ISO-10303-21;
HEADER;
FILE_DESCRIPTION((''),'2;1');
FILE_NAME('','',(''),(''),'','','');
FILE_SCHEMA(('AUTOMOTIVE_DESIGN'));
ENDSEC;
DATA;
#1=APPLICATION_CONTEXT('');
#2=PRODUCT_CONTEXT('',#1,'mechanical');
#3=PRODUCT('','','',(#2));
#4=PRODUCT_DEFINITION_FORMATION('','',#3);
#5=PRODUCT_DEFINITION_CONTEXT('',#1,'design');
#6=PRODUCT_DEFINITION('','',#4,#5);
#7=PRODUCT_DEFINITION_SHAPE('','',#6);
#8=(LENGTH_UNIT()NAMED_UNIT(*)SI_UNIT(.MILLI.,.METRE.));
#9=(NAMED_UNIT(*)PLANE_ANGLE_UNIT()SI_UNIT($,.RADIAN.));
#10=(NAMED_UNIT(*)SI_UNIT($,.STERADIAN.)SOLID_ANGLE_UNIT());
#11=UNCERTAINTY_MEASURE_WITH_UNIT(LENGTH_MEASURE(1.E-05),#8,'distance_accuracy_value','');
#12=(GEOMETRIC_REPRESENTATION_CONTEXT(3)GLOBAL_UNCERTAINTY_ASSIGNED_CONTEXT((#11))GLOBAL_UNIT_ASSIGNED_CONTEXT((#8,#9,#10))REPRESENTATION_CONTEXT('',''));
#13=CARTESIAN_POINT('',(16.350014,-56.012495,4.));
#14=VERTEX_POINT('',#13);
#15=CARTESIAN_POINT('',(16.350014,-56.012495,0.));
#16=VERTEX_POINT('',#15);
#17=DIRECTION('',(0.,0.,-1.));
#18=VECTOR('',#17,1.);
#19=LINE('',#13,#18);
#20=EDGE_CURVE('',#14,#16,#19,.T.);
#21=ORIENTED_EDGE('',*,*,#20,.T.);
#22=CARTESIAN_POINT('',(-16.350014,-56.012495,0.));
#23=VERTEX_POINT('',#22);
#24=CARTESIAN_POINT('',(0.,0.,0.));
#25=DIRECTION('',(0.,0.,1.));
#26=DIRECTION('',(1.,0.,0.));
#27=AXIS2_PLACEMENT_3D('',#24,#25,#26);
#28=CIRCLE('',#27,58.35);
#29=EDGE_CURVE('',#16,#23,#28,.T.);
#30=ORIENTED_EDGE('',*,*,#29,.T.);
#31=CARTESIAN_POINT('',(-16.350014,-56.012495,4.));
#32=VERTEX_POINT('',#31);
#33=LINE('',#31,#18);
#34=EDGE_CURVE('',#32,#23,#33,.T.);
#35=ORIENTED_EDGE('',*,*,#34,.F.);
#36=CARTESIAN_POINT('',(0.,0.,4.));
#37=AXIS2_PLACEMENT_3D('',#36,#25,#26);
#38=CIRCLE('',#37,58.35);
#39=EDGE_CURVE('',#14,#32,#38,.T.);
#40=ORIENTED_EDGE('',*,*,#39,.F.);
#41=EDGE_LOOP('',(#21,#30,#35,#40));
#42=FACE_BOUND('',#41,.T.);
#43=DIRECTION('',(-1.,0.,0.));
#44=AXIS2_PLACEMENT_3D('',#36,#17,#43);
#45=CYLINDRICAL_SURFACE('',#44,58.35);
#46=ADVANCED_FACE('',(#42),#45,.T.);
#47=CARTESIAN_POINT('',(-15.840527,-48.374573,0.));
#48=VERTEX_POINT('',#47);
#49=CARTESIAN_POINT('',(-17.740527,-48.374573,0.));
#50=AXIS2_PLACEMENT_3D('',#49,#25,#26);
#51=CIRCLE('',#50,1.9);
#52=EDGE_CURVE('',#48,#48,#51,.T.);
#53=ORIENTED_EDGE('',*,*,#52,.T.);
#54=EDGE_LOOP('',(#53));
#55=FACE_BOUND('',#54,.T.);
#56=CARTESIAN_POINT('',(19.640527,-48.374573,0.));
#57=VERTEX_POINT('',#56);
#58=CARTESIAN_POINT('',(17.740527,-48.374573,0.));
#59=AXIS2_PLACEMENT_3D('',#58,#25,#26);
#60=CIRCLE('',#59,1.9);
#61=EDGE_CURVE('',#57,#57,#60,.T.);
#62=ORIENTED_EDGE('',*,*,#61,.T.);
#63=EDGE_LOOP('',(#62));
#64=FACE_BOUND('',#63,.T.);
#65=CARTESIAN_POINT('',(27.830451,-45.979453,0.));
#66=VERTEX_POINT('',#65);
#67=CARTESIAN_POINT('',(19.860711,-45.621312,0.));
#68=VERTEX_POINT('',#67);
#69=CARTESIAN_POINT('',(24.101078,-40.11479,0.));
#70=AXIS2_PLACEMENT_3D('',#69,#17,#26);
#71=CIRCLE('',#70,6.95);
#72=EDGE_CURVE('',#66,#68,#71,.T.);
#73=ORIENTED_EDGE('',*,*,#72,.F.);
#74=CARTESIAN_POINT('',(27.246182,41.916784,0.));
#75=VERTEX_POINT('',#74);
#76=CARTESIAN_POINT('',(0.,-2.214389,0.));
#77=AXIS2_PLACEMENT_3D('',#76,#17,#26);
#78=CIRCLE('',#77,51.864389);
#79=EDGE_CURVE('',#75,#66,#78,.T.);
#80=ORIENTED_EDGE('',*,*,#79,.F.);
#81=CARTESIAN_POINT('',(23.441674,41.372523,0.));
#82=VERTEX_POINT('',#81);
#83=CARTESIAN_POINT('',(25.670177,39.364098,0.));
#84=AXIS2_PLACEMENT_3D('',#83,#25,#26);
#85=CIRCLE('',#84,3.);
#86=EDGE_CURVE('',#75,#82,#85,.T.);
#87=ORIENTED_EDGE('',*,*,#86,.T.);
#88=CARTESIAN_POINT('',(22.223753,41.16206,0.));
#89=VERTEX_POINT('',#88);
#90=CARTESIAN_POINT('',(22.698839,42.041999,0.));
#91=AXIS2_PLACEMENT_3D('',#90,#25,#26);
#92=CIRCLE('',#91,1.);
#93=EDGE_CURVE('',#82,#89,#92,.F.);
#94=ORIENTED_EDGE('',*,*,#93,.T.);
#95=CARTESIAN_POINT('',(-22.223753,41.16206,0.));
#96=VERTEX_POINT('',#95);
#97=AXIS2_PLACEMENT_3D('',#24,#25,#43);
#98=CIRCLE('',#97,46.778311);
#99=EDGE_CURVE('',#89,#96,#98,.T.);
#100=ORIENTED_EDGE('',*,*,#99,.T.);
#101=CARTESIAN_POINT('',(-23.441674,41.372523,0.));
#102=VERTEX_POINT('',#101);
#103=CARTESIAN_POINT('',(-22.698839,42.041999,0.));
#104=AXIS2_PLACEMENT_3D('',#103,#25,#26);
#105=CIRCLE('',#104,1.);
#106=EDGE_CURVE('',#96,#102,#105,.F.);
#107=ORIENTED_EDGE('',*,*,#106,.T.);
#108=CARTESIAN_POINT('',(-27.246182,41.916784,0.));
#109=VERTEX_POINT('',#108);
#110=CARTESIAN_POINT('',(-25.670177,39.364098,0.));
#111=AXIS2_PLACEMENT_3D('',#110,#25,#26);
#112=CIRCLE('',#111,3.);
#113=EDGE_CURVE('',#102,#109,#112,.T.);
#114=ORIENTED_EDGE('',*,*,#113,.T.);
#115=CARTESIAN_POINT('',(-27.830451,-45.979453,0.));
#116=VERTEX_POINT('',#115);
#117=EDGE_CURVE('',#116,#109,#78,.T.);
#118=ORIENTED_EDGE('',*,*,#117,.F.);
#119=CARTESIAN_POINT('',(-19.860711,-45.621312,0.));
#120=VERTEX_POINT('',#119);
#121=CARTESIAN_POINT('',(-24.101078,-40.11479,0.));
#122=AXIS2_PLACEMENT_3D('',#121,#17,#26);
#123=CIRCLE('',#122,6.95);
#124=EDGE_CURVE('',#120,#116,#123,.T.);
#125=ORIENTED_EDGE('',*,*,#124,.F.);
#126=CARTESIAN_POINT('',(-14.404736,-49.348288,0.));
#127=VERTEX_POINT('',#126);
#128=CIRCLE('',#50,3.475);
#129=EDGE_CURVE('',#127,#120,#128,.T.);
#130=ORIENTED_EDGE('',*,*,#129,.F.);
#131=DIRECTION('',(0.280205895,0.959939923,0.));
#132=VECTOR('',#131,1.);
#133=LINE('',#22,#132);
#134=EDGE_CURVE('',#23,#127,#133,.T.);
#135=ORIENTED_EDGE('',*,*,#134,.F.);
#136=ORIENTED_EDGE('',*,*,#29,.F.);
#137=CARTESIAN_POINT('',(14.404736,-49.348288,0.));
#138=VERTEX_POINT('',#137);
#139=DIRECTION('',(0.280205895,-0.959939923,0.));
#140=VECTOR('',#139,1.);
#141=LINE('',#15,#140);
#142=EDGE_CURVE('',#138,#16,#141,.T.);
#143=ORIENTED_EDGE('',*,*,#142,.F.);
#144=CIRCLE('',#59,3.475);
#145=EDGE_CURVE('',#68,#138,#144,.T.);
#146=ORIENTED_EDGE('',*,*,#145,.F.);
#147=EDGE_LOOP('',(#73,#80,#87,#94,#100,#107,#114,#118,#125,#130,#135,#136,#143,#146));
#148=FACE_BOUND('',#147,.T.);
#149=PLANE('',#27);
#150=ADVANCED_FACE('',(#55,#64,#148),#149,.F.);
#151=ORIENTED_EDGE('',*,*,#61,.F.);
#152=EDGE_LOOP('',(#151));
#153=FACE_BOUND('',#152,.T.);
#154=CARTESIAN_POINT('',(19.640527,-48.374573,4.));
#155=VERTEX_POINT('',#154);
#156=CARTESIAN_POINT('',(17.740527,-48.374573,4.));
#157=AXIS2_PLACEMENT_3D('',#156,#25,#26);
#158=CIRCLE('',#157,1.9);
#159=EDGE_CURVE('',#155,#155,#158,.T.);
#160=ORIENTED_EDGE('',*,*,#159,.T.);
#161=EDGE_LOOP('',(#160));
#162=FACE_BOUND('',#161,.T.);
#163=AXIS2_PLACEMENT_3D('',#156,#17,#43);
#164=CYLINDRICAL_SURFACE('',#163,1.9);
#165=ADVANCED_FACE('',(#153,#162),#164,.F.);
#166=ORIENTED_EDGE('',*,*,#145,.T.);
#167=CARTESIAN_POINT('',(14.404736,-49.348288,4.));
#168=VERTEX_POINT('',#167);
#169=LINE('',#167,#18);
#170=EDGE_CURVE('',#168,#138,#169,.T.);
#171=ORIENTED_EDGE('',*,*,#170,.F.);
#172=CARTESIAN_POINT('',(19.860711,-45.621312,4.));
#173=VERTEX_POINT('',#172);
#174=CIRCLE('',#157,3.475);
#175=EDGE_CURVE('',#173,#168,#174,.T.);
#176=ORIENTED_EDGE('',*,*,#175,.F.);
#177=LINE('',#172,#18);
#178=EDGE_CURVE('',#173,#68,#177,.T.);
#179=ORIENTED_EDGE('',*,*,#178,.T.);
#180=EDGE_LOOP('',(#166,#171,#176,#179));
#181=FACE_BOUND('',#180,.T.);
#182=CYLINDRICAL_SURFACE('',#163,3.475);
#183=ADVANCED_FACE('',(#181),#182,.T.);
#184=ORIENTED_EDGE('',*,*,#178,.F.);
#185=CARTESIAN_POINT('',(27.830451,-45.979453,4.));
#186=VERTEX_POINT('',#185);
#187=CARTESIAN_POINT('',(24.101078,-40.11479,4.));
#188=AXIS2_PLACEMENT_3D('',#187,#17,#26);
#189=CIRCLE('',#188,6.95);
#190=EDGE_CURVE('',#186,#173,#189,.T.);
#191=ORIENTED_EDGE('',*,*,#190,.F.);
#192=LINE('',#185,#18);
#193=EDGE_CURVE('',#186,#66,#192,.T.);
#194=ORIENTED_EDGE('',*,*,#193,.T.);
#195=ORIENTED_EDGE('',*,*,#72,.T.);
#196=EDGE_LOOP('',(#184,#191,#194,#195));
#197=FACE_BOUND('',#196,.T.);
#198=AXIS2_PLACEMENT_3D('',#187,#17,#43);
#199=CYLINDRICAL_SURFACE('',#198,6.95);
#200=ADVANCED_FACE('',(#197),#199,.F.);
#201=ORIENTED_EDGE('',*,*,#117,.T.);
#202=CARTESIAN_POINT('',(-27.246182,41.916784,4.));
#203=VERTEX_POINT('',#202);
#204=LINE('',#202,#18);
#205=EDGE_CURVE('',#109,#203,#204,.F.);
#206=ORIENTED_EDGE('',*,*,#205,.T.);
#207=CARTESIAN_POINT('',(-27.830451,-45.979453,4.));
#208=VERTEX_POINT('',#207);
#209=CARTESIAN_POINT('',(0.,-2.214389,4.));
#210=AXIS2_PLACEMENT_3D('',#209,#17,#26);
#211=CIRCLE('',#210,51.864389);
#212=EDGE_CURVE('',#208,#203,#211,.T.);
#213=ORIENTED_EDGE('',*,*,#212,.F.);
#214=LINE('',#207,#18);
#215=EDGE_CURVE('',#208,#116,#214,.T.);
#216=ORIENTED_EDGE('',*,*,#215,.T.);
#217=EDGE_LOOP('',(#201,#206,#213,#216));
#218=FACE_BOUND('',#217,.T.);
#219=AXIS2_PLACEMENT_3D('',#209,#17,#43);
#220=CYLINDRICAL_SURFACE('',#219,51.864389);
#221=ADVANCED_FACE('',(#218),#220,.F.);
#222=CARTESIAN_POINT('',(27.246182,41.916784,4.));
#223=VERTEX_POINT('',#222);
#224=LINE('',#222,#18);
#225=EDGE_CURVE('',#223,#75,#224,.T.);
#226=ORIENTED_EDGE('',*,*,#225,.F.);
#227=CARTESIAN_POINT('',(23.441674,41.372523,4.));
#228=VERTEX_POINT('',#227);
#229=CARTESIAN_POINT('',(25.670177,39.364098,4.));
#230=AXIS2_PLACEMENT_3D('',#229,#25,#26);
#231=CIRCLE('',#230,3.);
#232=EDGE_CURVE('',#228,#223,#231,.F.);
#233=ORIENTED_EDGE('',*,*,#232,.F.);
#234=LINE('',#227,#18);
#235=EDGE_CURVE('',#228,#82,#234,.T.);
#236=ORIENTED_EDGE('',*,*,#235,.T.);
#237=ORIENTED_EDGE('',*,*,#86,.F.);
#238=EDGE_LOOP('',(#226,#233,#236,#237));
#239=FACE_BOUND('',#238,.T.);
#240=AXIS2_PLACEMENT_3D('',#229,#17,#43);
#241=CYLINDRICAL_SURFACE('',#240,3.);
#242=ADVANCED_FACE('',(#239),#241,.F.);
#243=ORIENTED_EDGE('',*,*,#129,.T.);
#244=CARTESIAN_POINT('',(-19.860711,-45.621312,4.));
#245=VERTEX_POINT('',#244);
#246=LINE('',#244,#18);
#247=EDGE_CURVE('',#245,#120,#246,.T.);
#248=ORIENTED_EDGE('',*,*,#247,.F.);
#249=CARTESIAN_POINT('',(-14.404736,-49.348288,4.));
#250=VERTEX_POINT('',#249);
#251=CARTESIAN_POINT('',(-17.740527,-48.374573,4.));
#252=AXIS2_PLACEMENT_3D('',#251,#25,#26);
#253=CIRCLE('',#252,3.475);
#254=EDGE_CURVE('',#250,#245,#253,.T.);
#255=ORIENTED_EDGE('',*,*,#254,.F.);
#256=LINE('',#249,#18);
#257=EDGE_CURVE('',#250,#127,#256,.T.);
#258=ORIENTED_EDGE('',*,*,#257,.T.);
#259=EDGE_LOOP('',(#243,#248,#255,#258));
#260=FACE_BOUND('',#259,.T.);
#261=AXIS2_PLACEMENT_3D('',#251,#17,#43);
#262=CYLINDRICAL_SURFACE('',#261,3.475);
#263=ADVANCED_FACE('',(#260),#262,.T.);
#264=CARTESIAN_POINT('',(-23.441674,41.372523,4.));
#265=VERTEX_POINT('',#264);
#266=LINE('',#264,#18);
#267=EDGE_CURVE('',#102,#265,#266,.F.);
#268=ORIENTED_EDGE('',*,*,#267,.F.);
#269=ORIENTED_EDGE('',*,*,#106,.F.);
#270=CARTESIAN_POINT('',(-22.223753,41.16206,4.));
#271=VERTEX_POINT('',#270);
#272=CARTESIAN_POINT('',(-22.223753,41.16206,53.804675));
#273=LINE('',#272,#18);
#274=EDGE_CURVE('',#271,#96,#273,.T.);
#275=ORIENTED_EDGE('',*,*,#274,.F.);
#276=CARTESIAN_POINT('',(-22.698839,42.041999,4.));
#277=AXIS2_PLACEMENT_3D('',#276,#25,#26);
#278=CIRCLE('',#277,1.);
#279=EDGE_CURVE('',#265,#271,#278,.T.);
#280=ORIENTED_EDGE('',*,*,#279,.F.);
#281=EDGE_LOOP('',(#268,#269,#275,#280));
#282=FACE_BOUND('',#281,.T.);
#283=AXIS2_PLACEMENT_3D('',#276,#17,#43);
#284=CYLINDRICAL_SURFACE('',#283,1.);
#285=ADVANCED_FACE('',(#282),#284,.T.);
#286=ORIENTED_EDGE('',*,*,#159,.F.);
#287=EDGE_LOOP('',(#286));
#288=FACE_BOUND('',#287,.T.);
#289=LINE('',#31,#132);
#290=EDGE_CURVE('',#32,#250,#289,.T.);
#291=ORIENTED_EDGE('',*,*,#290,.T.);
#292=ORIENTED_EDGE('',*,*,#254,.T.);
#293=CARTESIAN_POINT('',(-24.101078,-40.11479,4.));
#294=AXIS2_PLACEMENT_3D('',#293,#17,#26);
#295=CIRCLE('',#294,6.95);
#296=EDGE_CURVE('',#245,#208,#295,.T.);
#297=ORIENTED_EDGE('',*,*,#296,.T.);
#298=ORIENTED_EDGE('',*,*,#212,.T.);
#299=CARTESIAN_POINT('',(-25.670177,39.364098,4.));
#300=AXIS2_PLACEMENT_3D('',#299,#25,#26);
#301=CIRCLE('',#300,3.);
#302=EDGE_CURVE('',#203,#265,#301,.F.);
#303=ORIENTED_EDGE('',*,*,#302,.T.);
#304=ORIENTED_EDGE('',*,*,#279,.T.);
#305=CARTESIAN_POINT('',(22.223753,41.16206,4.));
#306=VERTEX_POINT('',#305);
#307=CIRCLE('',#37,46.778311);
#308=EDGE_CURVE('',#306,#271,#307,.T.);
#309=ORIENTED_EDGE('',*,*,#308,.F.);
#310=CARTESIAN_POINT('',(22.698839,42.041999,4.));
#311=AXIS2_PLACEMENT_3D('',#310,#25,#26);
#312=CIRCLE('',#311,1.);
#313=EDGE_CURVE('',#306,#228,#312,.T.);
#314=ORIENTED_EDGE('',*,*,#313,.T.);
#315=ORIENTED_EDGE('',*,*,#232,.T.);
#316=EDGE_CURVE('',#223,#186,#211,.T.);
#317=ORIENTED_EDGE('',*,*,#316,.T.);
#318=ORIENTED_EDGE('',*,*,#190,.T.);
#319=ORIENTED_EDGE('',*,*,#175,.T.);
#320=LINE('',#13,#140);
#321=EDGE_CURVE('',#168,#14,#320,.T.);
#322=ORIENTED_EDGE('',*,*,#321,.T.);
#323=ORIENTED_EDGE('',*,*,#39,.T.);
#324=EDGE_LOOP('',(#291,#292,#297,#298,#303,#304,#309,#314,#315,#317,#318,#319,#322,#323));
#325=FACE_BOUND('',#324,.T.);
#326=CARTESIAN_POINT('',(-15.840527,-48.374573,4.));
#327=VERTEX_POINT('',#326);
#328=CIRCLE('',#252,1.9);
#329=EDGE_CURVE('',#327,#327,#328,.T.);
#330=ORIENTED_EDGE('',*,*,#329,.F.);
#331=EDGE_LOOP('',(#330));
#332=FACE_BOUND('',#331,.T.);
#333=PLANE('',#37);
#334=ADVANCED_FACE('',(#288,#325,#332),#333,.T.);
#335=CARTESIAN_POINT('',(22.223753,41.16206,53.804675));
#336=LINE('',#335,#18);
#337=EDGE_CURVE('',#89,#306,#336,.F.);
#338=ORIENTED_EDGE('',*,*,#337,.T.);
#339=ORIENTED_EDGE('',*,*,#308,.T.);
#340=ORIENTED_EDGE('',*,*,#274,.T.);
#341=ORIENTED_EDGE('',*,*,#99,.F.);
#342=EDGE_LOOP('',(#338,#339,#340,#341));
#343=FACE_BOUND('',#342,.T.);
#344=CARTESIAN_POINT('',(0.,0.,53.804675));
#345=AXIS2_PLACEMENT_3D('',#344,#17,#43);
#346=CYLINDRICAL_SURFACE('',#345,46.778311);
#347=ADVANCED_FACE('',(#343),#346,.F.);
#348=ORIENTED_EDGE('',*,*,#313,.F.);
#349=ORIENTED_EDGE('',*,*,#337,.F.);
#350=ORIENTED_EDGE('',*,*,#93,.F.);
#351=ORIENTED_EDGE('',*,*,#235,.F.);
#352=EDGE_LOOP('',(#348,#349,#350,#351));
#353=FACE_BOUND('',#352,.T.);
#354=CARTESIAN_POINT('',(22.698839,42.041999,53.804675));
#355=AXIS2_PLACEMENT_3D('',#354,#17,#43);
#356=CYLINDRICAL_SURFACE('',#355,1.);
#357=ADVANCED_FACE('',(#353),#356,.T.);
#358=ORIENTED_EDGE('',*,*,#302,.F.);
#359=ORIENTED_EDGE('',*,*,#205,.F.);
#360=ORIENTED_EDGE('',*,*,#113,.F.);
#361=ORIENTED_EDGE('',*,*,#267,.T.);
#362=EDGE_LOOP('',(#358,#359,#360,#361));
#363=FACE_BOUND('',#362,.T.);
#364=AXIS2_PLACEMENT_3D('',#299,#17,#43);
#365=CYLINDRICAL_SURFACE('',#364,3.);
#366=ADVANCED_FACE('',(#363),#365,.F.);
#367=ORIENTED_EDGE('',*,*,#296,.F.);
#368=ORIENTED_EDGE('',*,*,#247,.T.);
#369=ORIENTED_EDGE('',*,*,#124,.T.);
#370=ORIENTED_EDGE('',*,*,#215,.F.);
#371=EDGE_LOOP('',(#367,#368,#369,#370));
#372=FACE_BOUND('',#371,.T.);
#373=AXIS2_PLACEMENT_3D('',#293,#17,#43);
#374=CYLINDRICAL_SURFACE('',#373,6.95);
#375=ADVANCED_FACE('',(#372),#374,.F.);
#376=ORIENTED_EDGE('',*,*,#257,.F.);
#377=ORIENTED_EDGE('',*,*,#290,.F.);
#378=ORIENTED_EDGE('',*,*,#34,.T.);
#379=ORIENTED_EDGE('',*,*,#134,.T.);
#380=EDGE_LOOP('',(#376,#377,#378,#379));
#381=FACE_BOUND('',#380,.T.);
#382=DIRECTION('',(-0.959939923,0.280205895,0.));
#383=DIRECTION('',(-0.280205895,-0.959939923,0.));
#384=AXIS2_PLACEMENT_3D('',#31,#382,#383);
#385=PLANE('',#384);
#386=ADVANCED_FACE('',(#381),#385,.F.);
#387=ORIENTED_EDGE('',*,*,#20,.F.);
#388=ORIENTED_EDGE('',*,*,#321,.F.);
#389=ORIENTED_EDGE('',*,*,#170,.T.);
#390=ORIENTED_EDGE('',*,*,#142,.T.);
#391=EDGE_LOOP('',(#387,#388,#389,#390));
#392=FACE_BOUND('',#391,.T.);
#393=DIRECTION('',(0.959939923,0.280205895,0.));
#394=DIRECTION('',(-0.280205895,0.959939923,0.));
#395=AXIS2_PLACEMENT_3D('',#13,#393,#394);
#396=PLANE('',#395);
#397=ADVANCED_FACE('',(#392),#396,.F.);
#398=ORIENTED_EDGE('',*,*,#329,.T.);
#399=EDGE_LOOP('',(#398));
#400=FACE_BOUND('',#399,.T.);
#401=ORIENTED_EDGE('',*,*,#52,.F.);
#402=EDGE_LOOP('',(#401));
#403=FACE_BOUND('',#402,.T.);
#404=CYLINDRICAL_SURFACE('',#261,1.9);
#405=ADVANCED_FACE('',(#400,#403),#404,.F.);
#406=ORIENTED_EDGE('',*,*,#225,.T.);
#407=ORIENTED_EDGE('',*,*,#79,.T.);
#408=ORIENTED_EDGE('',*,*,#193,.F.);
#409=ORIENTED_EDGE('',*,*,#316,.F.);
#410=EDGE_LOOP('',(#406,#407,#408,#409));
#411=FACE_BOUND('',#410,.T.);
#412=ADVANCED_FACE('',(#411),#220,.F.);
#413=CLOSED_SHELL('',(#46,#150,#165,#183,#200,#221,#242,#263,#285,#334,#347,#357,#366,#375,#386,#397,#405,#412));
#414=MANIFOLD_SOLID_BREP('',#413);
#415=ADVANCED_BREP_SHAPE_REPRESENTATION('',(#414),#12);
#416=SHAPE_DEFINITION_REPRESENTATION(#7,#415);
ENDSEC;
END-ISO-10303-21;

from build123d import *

# Parameters (mm, degrees)
SKETCH1_R           = 1.9
BOSS_EXTRUDE1_DEPTH = 4
BOSS_EXTRUDE2_DEPTH = 4
FILLET1_R           = 3
FILLET2_R           = 1


with BuildPart() as part:
    # Sketch1 → Boss-Extrude1 (new body)
    with BuildSketch(Plane.XY):
        with BuildLine():
            Line((16.350014, -56.012494518), (14.404736199, -49.348288471))
            ThreePointArc((14.404736199, -49.348288471), (15.780421817, -45.505146042), (19.860711038, -45.621311922))
            ThreePointArc((19.860711038, -45.621311922), (23.789076326, -47.057783014), (27.830450892, -45.979453446))
            ThreePointArc((27.830450892, -45.979453446), (0, 49.65), (-27.830450892, -45.979453446))
            ThreePointArc((-27.830450892, -45.979453446), (-23.789076326, -47.057783014), (-19.860711038, -45.621311922))
            ThreePointArc((-19.860711038, -45.621311922), (-15.780421817, -45.505146042), (-14.404736199, -49.348288471))
            Line((-14.404736199, -49.348288471), (-16.350014, -56.012494518))
            ThreePointArc((-16.350014, -56.012494518), (0, 58.35), (16.350014, -56.012494518))
        make_face()
        with Locations((17.740527432, -48.374572984)):
            Circle(SKETCH1_R, mode=Mode.SUBTRACT)
        with Locations((-17.740527432, -48.374572984)):
            Circle(SKETCH1_R, mode=Mode.SUBTRACT)
    extrude(amount=BOSS_EXTRUDE1_DEPTH)

    # Sketch2 → Boss-Extrude2 (add)
    with BuildSketch(Plane(origin=(0, 0, 0), x_dir=(-1, 0, 0), z_dir=(0, 0, -1))):
        with BuildLine():
            Line((23, 40.733405839), (24.5, 43.498463103))
            ThreePointArc((24.5, 43.498463103), (0, 49.65), (-24.5, 43.498463103))
            Line((-24.5, 43.498463103), (-23, 40.733405839))
            ThreePointArc((-23, 40.733405839), (0, 46.778310692), (23, 40.733405839))
        make_face()
    extrude(amount=-BOSS_EXTRUDE2_DEPTH)

    # Fillet1
    fillet1_edges = [part.edges().sort_by_distance(p)[0] for p in [
        (-24.5, 43.498463103, 2),
        (24.5, 43.498463103, 2),
    ]]
    fillet(fillet1_edges, radius=FILLET1_R)

    # Fillet2
    fillet2_edges = [part.edges().sort_by_distance(p)[0] for p in [
        (-23, 40.733405839, 2),
        (23, 40.733405839, 2),
    ]]
    fillet(fillet2_edges, radius=FILLET2_R)


solid = part.part
